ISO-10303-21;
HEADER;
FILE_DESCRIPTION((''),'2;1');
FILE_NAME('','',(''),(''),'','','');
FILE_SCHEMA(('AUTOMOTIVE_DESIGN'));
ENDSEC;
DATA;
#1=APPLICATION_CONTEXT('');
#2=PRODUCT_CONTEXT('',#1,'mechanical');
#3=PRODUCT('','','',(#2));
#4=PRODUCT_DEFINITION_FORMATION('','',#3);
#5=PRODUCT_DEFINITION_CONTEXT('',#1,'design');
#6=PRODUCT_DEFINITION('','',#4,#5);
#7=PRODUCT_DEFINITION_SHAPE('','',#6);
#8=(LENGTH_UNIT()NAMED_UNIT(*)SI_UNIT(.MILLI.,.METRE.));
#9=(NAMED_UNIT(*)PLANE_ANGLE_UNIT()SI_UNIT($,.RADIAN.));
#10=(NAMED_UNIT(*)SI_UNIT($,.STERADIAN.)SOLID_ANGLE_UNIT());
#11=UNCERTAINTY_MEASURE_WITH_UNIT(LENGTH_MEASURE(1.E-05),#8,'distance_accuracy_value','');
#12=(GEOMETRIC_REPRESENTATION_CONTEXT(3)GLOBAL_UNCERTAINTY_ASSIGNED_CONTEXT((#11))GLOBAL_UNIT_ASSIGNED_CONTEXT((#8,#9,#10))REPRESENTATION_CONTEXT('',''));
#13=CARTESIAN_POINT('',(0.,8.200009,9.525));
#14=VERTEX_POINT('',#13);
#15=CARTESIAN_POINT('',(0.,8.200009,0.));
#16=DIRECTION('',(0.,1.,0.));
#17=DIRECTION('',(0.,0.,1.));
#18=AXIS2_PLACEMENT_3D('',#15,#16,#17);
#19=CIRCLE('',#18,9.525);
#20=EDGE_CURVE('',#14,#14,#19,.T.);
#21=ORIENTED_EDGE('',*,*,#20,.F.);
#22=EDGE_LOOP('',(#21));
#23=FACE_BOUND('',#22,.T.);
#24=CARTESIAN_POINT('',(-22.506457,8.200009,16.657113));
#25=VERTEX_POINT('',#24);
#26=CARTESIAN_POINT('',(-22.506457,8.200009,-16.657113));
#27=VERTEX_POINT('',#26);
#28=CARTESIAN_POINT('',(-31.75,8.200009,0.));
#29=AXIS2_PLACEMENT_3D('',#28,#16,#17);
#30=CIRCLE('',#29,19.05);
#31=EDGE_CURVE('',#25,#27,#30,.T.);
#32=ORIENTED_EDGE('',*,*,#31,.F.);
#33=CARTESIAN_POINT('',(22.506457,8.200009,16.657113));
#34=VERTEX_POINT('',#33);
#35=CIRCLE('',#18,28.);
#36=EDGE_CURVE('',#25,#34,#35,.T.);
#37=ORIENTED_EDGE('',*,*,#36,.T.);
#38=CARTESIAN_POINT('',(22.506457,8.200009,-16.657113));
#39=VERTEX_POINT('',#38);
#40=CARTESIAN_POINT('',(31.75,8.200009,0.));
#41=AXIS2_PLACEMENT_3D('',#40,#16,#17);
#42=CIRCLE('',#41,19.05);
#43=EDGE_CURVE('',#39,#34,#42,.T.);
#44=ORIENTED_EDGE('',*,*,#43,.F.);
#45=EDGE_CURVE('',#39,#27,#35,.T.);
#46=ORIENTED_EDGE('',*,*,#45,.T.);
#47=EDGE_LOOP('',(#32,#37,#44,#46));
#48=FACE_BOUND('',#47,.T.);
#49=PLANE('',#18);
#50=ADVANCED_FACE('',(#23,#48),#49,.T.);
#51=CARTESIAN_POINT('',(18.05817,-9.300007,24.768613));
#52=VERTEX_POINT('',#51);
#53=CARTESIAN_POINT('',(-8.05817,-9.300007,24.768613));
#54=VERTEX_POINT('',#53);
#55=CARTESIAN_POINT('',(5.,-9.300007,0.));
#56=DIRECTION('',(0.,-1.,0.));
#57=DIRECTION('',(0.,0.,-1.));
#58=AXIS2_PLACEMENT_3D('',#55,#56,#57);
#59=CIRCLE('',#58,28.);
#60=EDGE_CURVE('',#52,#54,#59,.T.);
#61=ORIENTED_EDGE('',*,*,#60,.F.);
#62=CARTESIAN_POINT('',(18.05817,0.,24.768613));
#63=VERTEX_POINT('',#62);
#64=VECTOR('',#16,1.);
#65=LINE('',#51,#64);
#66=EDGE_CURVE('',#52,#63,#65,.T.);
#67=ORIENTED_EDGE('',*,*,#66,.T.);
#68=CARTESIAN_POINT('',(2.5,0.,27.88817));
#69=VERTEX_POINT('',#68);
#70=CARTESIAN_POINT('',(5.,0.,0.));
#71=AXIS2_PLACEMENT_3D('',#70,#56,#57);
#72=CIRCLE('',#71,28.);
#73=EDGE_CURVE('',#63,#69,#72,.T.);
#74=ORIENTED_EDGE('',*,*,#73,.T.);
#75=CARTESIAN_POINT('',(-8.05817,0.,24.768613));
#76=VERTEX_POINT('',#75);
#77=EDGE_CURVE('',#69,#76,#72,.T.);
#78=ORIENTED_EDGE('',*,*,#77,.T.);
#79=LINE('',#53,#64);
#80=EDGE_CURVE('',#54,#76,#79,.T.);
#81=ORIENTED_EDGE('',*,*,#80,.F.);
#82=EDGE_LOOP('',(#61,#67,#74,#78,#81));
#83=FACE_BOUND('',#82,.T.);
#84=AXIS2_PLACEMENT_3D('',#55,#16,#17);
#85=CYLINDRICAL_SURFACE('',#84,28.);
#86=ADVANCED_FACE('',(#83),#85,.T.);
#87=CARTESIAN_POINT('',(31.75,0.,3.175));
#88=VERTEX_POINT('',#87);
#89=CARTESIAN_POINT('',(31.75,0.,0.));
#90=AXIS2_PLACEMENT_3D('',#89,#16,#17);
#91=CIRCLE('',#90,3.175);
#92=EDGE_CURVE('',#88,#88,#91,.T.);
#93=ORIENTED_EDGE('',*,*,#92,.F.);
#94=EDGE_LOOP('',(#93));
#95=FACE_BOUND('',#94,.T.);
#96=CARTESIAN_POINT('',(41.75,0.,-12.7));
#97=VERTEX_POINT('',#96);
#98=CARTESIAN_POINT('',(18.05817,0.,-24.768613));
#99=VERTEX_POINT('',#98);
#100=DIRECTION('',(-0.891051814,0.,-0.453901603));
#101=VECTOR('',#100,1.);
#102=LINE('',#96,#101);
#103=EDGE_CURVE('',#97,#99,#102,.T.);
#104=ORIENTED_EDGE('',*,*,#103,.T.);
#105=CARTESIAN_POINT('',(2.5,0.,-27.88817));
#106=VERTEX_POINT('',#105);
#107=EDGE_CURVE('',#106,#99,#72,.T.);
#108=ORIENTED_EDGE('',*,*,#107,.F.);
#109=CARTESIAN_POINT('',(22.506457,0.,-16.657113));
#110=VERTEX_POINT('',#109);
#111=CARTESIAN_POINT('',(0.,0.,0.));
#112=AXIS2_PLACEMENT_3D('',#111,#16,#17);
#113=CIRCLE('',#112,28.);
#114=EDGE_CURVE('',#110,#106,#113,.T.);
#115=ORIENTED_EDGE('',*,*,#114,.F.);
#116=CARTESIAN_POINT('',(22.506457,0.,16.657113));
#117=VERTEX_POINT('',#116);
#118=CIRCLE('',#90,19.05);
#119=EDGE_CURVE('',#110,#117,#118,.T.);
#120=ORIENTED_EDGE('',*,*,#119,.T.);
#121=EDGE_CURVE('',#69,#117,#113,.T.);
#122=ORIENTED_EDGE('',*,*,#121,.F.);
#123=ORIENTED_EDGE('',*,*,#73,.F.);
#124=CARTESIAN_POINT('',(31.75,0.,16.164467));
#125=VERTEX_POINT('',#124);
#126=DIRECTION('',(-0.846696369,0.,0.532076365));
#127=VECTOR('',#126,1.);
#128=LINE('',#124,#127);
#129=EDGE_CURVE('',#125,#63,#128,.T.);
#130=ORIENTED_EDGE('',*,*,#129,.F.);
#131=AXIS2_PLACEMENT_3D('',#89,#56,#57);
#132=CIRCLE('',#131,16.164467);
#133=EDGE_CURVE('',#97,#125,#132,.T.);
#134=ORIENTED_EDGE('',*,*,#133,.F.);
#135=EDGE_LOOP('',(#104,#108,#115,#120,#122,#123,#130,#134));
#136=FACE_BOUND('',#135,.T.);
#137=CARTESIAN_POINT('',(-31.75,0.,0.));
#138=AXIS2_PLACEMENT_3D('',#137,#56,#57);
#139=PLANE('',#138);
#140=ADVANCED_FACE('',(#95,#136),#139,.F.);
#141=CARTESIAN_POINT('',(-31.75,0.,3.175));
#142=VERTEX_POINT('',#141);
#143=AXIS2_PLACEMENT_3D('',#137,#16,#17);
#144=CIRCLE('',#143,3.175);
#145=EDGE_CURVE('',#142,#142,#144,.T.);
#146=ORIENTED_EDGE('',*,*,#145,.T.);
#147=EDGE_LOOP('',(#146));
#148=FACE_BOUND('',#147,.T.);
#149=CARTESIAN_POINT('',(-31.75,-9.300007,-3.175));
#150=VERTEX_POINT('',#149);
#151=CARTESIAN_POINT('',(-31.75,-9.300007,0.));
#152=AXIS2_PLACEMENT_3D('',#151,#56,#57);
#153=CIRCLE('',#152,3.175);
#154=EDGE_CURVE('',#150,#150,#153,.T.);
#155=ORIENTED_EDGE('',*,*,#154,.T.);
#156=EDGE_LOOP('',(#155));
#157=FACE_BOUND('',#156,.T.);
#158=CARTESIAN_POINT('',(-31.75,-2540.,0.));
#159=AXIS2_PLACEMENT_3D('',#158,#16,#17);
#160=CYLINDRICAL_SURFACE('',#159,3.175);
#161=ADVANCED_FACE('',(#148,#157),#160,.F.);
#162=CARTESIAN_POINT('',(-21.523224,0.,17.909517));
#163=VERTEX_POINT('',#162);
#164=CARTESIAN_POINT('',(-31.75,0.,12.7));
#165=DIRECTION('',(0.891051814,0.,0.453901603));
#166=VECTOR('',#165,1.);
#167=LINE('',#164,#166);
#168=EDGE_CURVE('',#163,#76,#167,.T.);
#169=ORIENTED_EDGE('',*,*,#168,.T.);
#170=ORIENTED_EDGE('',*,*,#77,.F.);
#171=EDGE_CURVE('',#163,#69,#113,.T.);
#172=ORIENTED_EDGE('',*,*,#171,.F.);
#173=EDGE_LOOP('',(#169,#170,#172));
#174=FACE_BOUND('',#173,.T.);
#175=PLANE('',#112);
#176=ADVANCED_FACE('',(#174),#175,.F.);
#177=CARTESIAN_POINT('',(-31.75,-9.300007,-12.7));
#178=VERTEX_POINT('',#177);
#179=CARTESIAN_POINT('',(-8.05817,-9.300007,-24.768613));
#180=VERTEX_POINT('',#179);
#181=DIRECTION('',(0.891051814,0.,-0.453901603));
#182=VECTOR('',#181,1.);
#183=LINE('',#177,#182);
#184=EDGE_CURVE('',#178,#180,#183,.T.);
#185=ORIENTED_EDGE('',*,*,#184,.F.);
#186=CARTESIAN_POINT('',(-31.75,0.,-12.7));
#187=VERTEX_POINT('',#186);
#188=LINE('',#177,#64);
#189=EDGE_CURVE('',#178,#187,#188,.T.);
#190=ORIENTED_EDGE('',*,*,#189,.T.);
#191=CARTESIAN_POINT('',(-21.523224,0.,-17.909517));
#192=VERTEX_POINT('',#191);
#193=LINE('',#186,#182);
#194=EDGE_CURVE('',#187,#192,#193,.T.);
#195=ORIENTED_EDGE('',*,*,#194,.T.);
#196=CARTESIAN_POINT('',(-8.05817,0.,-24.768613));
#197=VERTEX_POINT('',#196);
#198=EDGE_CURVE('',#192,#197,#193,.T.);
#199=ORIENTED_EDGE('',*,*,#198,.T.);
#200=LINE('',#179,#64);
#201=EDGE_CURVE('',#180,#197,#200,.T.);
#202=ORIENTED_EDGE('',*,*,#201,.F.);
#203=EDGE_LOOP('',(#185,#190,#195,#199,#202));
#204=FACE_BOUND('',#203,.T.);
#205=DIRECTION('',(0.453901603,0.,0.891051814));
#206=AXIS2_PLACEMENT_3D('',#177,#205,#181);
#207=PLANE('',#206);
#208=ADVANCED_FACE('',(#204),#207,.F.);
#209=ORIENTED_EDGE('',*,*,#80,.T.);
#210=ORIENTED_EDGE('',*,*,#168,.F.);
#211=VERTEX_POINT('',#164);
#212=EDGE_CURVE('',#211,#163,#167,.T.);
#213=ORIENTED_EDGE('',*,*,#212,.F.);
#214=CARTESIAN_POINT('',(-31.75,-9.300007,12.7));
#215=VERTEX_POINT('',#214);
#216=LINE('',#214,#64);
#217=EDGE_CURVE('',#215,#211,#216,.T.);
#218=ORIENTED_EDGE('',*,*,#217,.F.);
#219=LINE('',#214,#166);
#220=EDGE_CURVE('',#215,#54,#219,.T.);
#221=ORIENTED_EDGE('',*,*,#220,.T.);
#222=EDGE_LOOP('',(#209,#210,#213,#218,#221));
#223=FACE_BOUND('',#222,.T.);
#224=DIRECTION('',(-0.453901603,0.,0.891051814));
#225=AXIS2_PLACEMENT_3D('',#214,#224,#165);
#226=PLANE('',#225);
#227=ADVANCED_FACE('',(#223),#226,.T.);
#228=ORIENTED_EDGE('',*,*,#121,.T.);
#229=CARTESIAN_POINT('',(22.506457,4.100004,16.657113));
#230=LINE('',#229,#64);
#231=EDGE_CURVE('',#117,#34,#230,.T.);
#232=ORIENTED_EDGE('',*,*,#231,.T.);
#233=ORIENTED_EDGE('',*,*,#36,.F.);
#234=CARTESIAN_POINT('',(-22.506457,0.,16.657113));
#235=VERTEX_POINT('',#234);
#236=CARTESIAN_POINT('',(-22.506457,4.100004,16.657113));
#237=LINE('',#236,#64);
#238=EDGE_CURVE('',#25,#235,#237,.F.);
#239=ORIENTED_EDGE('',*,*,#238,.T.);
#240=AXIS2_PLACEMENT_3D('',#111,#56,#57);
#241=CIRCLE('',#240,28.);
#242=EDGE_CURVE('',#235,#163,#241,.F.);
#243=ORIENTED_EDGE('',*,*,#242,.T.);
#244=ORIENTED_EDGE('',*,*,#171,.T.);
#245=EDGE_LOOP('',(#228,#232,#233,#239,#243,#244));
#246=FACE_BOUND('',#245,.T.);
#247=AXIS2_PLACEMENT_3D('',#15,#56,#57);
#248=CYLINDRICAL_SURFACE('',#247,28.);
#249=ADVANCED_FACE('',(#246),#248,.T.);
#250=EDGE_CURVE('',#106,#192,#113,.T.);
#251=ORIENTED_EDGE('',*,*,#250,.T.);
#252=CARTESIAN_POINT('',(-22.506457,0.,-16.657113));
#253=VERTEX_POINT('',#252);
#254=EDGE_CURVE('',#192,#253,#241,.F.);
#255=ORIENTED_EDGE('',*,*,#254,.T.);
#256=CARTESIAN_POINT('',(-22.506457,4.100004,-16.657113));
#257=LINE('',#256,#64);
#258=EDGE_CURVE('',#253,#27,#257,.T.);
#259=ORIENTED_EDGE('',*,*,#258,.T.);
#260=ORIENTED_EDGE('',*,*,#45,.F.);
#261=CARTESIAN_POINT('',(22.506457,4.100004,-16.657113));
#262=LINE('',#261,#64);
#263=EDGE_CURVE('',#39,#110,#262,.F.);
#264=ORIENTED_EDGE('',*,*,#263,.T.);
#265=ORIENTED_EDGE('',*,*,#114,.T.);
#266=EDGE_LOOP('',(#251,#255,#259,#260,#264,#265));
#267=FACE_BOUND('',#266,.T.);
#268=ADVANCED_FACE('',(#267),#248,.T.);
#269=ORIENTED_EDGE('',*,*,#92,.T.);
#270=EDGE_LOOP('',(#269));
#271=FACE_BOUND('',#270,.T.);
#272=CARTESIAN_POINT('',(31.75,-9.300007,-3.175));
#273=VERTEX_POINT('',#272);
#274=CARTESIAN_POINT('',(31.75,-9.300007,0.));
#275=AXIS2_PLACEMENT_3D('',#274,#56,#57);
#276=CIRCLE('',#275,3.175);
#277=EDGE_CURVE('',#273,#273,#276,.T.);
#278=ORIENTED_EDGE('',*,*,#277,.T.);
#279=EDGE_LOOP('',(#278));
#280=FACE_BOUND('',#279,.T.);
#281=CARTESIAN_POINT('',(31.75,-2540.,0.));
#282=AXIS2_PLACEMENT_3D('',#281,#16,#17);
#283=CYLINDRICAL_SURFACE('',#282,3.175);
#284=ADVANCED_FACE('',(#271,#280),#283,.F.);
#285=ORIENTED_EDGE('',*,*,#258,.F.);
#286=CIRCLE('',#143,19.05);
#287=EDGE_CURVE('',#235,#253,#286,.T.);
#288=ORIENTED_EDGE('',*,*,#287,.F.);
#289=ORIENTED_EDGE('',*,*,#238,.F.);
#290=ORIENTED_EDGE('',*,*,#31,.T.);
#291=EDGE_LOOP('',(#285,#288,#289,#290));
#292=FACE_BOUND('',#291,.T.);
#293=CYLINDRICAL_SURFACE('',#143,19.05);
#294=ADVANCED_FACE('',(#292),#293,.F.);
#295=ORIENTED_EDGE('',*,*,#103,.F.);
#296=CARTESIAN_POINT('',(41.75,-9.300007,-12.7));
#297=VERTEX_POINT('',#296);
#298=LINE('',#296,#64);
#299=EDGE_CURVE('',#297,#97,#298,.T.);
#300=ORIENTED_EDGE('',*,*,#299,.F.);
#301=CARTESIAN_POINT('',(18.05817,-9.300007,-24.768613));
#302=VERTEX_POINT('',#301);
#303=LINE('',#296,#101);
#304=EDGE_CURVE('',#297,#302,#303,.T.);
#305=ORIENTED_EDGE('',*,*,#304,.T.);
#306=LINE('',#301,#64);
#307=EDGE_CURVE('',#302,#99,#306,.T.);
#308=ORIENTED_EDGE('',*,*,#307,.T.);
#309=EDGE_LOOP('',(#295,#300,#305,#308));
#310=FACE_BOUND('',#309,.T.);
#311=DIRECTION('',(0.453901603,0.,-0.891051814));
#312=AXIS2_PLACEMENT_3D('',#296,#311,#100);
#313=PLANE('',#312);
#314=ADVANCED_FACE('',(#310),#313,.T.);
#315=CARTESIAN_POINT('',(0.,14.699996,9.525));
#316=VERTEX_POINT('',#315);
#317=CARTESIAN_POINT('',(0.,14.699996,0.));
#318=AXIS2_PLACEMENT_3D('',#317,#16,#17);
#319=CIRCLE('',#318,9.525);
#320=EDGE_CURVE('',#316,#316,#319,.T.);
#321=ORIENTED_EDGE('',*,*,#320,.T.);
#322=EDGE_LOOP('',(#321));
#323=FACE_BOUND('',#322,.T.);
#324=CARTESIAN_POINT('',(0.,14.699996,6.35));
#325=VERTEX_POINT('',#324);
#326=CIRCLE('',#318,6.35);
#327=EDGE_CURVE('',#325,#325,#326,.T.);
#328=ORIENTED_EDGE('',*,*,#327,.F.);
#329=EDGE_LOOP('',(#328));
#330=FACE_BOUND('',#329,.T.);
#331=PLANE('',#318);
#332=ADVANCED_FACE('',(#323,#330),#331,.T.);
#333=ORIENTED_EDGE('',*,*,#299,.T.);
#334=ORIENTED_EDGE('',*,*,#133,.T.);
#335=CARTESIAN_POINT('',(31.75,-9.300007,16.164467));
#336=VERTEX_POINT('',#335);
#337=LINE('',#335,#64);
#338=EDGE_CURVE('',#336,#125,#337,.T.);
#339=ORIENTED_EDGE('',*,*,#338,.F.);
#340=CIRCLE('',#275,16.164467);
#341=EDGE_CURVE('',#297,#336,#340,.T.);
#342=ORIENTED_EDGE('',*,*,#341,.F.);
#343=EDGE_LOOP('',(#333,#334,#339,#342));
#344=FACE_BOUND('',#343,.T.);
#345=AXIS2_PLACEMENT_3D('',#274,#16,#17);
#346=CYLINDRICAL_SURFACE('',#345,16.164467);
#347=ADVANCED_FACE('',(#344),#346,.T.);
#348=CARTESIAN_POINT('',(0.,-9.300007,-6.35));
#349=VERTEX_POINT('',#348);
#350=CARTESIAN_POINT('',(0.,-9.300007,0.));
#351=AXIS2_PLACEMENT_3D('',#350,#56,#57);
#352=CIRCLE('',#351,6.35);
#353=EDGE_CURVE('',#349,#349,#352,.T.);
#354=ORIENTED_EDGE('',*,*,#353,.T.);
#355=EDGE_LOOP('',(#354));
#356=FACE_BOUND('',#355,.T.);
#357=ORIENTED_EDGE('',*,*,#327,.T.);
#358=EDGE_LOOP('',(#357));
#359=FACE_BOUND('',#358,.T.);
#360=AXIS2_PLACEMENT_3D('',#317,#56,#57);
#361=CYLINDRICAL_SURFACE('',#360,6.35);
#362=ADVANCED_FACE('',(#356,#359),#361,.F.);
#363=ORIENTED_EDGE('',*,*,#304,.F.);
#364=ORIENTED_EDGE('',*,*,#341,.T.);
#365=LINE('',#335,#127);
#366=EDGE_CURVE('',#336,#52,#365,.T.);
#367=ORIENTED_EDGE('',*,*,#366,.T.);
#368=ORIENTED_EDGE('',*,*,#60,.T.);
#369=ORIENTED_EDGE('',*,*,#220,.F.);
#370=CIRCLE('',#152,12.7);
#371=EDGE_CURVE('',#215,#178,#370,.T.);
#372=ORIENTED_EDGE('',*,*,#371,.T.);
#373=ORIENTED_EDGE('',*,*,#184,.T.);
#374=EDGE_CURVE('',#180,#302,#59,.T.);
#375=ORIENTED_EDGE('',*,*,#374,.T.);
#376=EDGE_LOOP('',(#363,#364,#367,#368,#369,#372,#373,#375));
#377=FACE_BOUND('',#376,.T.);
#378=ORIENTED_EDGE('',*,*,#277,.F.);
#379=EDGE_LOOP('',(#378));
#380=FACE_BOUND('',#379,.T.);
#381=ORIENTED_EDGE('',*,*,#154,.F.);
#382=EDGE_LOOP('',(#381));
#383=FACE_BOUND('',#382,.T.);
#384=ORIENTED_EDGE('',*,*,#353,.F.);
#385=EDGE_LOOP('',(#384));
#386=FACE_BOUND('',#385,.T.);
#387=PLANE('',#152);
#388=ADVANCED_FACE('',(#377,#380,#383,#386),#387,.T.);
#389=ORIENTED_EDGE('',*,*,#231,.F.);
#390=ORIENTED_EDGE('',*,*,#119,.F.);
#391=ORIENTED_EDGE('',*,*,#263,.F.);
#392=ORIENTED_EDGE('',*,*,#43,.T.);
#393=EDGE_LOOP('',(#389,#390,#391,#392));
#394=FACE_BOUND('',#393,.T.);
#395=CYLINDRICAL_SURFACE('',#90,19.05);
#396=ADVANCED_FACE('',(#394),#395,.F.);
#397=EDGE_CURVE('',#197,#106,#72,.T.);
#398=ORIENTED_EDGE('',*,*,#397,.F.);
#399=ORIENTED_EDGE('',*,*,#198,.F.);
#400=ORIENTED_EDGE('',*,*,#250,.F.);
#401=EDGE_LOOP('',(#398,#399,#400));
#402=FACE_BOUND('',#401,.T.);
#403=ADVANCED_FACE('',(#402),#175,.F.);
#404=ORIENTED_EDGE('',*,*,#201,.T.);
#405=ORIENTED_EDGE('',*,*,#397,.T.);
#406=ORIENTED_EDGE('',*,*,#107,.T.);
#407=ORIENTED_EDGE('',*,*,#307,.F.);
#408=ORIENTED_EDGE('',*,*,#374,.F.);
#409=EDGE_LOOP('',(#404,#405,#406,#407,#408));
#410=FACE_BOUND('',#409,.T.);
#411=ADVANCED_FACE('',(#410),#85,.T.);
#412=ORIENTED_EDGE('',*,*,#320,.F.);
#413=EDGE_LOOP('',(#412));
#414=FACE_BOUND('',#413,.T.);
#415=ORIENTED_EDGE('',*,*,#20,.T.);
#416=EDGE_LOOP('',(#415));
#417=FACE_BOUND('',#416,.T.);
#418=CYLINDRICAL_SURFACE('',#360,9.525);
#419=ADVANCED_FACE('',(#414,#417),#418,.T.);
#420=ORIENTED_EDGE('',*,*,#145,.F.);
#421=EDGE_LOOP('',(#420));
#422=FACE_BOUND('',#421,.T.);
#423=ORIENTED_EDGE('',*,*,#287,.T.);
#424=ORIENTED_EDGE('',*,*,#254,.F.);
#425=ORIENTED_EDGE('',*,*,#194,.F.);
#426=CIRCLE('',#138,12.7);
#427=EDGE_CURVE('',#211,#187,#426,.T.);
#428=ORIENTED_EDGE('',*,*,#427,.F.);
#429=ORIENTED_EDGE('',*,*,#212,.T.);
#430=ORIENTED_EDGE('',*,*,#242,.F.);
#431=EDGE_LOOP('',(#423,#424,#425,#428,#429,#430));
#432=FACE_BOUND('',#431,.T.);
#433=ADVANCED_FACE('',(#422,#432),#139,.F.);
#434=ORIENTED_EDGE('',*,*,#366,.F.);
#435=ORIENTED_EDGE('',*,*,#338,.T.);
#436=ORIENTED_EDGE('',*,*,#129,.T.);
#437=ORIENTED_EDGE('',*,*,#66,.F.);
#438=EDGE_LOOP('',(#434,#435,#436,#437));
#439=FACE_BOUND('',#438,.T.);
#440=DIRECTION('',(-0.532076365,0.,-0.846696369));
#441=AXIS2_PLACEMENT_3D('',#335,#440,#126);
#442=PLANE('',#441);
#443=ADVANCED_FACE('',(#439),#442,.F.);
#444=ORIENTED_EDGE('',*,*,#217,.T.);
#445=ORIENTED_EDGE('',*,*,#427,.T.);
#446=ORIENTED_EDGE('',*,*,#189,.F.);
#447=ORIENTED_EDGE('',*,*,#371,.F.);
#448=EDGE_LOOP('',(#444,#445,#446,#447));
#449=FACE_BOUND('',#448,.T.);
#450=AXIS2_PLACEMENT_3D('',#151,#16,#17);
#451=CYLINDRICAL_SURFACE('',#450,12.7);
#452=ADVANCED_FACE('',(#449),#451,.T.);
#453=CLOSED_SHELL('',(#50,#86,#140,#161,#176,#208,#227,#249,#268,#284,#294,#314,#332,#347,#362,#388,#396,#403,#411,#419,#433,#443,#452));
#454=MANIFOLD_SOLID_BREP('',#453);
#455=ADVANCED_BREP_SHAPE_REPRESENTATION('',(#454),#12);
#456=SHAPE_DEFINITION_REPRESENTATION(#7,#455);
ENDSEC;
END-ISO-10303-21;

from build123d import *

# Parameters (mm, degrees)
SKETCH2_R           = 9.525
SKETCH2_R_2         = 6.35
BOSS_EXTRUDE1_DEPTH = 14.699996
BOSS_EXTRUDE2_DEPTH = 9.3000068
SKETCH4_R           = 6.35
CUT_EXTRUDE1_DEPTH  = 2540
SKETCH5_R           = 3.175
CUT_EXTRUDE2_DEPTH  = 2540
SKETCH6_R           = 28
SKETCH6_R_2         = 7.320365212
BOSS_EXTRUDE3_DEPTH = 8.200009
SKETCH8_R           = 19.05
CUT_EXTRUDE3_DEPTH  = 8.200009


with BuildPart() as part:
    # Sketch2 → Boss-Extrude1 (new body)
    with BuildSketch(Plane(origin=(0, 0, 0), x_dir=(1, 0, 0), z_dir=(0, 1, 0))):
        Circle(SKETCH2_R)
        Circle(SKETCH2_R_2, mode=Mode.SUBTRACT)
    extrude(amount=BOSS_EXTRUDE1_DEPTH)

    # Sketch3 → Boss-Extrude2 (add)
    with BuildSketch(Plane.XZ):
        with BuildLine():
            Line((-31.75, -12.7), (-8.058170349, -24.768612943))
            ThreePointArc((-8.058170349, -24.768612943), (5, -28), (18.058170349, -24.768612943))
            Line((18.058170349, -24.768612943), (41.75, -12.7))
            ThreePointArc((41.75, -12.7), (47.023813104, 5.291562459), (31.75, 16.164467204))
            Line((31.75, 16.164467204), (18.058170349, 24.768612943))
            ThreePointArc((18.058170349, 24.768612943), (5, 28), (-8.058170349, 24.768612943))
            Line((-8.058170349, 24.768612943), (-31.75, 12.7))
            ThreePointArc((-31.75, 12.7), (-44.45, 0), (-31.75, -12.7))
        make_face()
    extrude(amount=BOSS_EXTRUDE2_DEPTH)

    # Sketch4 → Cut-Extrude1 (cut)
    with BuildSketch(Plane(origin=(0, 0, 0), x_dir=(1, 0, 0), z_dir=(0, 1, 0))):
        Circle(SKETCH4_R)
    extrude(amount=-CUT_EXTRUDE1_DEPTH, mode=Mode.SUBTRACT)

    # Sketch5 → Cut-Extrude2 (cut)
    with BuildSketch(Plane(origin=(0, 0, 0), x_dir=(1, 0, 0), z_dir=(0, 1, 0))):
        with Locations((-31.75, 0)):
            Circle(SKETCH5_R)
        with Locations((31.75, 0)):
            Circle(SKETCH5_R)
    extrude(amount=-CUT_EXTRUDE2_DEPTH, mode=Mode.SUBTRACT)

    # Sketch6 → Boss-Extrude3 (add)
    with BuildSketch(Plane(origin=(0, 0, 0), x_dir=(1, 0, 0), z_dir=(0, 1, 0))):
        Circle(SKETCH6_R)
        Circle(SKETCH6_R_2, mode=Mode.SUBTRACT)
    extrude(amount=BOSS_EXTRUDE3_DEPTH)

    # Sketch8 → Cut-Extrude3 (cut)
    with BuildSketch(Plane(origin=(0, 8.200009, 0), x_dir=(1, 0, 0), z_dir=(0, 1, 0))):
        with Locations((-31.75, 0)):
            Circle(SKETCH8_R)
        with Locations((31.75, 0)):
            Circle(SKETCH8_R)
    extrude(amount=-CUT_EXTRUDE3_DEPTH, mode=Mode.SUBTRACT)


solid = part.part
